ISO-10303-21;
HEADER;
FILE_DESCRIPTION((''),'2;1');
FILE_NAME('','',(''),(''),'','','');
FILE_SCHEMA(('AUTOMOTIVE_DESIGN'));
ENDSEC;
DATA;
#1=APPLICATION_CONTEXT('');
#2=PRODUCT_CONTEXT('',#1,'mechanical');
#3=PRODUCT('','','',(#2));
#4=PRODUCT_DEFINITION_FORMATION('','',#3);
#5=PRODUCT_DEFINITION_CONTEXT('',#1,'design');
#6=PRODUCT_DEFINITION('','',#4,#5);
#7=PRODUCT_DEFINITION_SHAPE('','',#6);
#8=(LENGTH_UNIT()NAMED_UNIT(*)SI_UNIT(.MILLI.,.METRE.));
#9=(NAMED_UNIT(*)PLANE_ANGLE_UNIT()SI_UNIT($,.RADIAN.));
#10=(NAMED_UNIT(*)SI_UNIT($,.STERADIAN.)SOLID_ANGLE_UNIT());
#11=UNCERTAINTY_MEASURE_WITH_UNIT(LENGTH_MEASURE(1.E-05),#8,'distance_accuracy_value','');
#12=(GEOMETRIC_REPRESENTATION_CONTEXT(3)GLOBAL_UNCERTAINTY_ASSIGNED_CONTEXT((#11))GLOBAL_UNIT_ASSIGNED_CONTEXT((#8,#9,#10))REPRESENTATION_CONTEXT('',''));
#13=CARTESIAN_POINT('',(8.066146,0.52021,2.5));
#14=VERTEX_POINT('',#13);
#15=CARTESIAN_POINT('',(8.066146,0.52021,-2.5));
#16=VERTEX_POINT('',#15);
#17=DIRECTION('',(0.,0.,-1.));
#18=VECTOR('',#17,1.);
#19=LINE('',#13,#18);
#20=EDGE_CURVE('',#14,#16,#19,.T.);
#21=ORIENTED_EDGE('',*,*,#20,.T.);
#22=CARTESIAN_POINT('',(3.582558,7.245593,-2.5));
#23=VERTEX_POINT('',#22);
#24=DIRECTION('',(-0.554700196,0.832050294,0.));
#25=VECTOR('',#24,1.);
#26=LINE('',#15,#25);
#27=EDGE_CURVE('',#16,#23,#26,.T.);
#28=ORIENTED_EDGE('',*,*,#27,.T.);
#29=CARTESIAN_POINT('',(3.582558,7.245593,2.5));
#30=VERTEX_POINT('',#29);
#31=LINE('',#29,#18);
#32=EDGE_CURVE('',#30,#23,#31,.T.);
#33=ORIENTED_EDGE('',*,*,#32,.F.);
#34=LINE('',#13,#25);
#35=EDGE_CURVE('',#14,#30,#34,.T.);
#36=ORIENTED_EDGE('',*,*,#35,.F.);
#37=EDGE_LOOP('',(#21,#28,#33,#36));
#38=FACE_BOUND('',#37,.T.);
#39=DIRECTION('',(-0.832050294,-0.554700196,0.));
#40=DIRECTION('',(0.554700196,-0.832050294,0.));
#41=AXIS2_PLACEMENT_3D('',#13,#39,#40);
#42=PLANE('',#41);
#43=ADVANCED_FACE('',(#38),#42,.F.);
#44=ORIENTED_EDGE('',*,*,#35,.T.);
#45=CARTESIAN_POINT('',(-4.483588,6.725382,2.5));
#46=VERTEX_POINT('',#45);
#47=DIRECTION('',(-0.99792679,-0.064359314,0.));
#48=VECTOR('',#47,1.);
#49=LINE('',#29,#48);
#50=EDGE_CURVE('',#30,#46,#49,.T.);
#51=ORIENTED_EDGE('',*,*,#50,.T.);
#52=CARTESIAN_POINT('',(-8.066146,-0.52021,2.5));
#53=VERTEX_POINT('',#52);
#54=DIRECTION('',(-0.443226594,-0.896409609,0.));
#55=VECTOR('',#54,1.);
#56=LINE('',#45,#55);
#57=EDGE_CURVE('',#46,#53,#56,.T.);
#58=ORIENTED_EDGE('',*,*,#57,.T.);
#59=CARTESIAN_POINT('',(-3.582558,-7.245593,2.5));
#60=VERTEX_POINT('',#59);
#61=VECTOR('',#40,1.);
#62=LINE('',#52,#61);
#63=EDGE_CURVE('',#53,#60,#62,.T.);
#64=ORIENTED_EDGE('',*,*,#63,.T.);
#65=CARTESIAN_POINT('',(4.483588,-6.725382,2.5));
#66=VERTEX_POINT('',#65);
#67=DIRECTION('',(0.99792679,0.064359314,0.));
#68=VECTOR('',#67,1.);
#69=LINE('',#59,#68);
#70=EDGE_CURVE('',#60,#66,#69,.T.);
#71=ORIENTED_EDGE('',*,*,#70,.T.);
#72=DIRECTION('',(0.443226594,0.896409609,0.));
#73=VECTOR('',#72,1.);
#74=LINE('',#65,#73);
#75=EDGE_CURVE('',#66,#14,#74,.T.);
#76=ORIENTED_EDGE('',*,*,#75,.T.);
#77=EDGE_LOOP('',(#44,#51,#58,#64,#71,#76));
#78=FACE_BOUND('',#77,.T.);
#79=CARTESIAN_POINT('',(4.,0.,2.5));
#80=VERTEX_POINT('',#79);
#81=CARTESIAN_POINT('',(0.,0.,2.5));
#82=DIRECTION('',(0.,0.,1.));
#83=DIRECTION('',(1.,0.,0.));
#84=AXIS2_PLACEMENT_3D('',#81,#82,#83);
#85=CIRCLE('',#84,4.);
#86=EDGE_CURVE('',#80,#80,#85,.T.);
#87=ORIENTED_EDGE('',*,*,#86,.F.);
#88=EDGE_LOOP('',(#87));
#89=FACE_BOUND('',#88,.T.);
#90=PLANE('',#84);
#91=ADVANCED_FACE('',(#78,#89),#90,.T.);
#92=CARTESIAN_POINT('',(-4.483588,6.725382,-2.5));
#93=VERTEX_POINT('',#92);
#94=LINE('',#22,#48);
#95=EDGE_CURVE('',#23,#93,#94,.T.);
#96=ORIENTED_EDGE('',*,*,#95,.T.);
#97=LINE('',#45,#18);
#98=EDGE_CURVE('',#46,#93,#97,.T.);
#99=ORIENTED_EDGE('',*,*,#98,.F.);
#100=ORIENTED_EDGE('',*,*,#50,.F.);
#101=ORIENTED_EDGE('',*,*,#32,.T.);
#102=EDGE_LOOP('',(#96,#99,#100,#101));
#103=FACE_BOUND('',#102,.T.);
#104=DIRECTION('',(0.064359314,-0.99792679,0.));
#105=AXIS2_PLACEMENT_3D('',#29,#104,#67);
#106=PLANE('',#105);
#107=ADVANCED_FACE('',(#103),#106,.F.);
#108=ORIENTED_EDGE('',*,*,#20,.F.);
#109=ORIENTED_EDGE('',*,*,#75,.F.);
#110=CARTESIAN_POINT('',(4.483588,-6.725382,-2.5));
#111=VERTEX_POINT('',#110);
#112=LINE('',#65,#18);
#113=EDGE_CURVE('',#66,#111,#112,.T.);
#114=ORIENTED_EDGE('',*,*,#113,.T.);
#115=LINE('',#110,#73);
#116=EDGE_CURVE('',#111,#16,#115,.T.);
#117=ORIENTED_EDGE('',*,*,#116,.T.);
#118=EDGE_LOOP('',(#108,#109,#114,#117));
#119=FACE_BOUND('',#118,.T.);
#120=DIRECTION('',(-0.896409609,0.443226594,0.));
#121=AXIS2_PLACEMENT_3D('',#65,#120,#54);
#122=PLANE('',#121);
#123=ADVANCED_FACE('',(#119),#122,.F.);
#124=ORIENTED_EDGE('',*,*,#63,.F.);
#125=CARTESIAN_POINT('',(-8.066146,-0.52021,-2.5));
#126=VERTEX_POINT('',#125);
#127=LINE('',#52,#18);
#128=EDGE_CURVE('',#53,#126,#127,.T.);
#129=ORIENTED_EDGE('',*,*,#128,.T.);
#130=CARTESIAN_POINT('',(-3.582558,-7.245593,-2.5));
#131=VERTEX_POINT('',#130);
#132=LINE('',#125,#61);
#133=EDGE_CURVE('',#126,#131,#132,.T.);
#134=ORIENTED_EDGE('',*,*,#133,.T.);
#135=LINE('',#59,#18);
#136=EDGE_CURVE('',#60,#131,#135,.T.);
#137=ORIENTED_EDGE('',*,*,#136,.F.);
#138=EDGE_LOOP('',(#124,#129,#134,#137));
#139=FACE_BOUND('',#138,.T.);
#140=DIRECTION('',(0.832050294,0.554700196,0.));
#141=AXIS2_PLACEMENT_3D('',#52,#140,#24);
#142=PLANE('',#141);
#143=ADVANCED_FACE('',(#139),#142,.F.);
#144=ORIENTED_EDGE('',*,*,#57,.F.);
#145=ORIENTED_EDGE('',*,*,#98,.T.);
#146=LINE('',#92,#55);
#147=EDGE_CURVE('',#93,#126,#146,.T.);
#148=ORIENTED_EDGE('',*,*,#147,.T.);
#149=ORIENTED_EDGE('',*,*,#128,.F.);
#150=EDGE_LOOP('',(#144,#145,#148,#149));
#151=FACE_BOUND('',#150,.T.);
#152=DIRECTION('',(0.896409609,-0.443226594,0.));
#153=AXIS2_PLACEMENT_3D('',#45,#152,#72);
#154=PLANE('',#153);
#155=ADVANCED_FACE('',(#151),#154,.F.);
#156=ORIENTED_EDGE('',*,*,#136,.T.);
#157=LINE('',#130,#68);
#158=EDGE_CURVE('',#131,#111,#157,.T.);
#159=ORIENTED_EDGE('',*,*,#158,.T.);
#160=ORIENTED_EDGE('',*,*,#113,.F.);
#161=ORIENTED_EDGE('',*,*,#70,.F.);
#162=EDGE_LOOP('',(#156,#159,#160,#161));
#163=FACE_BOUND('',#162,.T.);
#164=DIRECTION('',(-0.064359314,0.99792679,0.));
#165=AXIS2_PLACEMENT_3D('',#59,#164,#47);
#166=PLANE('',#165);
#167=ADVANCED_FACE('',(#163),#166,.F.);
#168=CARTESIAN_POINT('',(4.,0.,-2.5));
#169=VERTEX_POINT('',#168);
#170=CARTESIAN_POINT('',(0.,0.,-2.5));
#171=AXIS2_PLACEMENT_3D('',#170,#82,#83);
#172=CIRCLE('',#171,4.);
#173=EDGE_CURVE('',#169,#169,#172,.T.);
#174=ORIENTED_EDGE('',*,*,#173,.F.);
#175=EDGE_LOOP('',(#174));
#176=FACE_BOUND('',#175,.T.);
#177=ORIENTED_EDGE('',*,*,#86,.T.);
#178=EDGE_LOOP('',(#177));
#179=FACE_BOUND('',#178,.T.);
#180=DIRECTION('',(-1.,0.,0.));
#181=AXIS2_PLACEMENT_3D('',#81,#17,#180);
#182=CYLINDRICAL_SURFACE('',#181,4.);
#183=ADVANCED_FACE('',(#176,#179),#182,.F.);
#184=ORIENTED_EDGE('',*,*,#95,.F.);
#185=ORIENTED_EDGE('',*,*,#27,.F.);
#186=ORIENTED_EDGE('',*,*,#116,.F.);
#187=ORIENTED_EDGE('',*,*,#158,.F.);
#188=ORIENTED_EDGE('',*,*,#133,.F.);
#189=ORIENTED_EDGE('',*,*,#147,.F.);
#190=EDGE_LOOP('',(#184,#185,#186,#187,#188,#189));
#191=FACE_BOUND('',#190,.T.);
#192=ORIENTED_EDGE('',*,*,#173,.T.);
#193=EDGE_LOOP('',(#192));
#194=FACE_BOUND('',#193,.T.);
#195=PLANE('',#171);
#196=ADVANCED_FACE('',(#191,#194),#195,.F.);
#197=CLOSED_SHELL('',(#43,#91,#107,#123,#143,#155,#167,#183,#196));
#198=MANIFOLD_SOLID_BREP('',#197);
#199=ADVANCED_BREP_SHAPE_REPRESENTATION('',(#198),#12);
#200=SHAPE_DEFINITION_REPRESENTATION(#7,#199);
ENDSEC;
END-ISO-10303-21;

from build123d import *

# Parameters (mm, degrees)
SKETCH1_R           = 4
BOSS_EXTRUDE1_DEPTH = 2.5


with BuildPart() as part:
    # Sketch1 → Boss-Extrude1 (new, symmetric)
    with BuildSketch(Plane.XY):
        Polygon((4.483588307, -6.72538246), (8.066146214, 0.520210144), (3.582557907, 7.245592603), (-4.483588307, 6.72538246), (-8.066146214, -0.520210144), (-3.582557907, -7.245592603), align=None)
        Circle(SKETCH1_R, mode=Mode.SUBTRACT)
    extrude(amount=BOSS_EXTRUDE1_DEPTH, both=True)


solid = part.part
